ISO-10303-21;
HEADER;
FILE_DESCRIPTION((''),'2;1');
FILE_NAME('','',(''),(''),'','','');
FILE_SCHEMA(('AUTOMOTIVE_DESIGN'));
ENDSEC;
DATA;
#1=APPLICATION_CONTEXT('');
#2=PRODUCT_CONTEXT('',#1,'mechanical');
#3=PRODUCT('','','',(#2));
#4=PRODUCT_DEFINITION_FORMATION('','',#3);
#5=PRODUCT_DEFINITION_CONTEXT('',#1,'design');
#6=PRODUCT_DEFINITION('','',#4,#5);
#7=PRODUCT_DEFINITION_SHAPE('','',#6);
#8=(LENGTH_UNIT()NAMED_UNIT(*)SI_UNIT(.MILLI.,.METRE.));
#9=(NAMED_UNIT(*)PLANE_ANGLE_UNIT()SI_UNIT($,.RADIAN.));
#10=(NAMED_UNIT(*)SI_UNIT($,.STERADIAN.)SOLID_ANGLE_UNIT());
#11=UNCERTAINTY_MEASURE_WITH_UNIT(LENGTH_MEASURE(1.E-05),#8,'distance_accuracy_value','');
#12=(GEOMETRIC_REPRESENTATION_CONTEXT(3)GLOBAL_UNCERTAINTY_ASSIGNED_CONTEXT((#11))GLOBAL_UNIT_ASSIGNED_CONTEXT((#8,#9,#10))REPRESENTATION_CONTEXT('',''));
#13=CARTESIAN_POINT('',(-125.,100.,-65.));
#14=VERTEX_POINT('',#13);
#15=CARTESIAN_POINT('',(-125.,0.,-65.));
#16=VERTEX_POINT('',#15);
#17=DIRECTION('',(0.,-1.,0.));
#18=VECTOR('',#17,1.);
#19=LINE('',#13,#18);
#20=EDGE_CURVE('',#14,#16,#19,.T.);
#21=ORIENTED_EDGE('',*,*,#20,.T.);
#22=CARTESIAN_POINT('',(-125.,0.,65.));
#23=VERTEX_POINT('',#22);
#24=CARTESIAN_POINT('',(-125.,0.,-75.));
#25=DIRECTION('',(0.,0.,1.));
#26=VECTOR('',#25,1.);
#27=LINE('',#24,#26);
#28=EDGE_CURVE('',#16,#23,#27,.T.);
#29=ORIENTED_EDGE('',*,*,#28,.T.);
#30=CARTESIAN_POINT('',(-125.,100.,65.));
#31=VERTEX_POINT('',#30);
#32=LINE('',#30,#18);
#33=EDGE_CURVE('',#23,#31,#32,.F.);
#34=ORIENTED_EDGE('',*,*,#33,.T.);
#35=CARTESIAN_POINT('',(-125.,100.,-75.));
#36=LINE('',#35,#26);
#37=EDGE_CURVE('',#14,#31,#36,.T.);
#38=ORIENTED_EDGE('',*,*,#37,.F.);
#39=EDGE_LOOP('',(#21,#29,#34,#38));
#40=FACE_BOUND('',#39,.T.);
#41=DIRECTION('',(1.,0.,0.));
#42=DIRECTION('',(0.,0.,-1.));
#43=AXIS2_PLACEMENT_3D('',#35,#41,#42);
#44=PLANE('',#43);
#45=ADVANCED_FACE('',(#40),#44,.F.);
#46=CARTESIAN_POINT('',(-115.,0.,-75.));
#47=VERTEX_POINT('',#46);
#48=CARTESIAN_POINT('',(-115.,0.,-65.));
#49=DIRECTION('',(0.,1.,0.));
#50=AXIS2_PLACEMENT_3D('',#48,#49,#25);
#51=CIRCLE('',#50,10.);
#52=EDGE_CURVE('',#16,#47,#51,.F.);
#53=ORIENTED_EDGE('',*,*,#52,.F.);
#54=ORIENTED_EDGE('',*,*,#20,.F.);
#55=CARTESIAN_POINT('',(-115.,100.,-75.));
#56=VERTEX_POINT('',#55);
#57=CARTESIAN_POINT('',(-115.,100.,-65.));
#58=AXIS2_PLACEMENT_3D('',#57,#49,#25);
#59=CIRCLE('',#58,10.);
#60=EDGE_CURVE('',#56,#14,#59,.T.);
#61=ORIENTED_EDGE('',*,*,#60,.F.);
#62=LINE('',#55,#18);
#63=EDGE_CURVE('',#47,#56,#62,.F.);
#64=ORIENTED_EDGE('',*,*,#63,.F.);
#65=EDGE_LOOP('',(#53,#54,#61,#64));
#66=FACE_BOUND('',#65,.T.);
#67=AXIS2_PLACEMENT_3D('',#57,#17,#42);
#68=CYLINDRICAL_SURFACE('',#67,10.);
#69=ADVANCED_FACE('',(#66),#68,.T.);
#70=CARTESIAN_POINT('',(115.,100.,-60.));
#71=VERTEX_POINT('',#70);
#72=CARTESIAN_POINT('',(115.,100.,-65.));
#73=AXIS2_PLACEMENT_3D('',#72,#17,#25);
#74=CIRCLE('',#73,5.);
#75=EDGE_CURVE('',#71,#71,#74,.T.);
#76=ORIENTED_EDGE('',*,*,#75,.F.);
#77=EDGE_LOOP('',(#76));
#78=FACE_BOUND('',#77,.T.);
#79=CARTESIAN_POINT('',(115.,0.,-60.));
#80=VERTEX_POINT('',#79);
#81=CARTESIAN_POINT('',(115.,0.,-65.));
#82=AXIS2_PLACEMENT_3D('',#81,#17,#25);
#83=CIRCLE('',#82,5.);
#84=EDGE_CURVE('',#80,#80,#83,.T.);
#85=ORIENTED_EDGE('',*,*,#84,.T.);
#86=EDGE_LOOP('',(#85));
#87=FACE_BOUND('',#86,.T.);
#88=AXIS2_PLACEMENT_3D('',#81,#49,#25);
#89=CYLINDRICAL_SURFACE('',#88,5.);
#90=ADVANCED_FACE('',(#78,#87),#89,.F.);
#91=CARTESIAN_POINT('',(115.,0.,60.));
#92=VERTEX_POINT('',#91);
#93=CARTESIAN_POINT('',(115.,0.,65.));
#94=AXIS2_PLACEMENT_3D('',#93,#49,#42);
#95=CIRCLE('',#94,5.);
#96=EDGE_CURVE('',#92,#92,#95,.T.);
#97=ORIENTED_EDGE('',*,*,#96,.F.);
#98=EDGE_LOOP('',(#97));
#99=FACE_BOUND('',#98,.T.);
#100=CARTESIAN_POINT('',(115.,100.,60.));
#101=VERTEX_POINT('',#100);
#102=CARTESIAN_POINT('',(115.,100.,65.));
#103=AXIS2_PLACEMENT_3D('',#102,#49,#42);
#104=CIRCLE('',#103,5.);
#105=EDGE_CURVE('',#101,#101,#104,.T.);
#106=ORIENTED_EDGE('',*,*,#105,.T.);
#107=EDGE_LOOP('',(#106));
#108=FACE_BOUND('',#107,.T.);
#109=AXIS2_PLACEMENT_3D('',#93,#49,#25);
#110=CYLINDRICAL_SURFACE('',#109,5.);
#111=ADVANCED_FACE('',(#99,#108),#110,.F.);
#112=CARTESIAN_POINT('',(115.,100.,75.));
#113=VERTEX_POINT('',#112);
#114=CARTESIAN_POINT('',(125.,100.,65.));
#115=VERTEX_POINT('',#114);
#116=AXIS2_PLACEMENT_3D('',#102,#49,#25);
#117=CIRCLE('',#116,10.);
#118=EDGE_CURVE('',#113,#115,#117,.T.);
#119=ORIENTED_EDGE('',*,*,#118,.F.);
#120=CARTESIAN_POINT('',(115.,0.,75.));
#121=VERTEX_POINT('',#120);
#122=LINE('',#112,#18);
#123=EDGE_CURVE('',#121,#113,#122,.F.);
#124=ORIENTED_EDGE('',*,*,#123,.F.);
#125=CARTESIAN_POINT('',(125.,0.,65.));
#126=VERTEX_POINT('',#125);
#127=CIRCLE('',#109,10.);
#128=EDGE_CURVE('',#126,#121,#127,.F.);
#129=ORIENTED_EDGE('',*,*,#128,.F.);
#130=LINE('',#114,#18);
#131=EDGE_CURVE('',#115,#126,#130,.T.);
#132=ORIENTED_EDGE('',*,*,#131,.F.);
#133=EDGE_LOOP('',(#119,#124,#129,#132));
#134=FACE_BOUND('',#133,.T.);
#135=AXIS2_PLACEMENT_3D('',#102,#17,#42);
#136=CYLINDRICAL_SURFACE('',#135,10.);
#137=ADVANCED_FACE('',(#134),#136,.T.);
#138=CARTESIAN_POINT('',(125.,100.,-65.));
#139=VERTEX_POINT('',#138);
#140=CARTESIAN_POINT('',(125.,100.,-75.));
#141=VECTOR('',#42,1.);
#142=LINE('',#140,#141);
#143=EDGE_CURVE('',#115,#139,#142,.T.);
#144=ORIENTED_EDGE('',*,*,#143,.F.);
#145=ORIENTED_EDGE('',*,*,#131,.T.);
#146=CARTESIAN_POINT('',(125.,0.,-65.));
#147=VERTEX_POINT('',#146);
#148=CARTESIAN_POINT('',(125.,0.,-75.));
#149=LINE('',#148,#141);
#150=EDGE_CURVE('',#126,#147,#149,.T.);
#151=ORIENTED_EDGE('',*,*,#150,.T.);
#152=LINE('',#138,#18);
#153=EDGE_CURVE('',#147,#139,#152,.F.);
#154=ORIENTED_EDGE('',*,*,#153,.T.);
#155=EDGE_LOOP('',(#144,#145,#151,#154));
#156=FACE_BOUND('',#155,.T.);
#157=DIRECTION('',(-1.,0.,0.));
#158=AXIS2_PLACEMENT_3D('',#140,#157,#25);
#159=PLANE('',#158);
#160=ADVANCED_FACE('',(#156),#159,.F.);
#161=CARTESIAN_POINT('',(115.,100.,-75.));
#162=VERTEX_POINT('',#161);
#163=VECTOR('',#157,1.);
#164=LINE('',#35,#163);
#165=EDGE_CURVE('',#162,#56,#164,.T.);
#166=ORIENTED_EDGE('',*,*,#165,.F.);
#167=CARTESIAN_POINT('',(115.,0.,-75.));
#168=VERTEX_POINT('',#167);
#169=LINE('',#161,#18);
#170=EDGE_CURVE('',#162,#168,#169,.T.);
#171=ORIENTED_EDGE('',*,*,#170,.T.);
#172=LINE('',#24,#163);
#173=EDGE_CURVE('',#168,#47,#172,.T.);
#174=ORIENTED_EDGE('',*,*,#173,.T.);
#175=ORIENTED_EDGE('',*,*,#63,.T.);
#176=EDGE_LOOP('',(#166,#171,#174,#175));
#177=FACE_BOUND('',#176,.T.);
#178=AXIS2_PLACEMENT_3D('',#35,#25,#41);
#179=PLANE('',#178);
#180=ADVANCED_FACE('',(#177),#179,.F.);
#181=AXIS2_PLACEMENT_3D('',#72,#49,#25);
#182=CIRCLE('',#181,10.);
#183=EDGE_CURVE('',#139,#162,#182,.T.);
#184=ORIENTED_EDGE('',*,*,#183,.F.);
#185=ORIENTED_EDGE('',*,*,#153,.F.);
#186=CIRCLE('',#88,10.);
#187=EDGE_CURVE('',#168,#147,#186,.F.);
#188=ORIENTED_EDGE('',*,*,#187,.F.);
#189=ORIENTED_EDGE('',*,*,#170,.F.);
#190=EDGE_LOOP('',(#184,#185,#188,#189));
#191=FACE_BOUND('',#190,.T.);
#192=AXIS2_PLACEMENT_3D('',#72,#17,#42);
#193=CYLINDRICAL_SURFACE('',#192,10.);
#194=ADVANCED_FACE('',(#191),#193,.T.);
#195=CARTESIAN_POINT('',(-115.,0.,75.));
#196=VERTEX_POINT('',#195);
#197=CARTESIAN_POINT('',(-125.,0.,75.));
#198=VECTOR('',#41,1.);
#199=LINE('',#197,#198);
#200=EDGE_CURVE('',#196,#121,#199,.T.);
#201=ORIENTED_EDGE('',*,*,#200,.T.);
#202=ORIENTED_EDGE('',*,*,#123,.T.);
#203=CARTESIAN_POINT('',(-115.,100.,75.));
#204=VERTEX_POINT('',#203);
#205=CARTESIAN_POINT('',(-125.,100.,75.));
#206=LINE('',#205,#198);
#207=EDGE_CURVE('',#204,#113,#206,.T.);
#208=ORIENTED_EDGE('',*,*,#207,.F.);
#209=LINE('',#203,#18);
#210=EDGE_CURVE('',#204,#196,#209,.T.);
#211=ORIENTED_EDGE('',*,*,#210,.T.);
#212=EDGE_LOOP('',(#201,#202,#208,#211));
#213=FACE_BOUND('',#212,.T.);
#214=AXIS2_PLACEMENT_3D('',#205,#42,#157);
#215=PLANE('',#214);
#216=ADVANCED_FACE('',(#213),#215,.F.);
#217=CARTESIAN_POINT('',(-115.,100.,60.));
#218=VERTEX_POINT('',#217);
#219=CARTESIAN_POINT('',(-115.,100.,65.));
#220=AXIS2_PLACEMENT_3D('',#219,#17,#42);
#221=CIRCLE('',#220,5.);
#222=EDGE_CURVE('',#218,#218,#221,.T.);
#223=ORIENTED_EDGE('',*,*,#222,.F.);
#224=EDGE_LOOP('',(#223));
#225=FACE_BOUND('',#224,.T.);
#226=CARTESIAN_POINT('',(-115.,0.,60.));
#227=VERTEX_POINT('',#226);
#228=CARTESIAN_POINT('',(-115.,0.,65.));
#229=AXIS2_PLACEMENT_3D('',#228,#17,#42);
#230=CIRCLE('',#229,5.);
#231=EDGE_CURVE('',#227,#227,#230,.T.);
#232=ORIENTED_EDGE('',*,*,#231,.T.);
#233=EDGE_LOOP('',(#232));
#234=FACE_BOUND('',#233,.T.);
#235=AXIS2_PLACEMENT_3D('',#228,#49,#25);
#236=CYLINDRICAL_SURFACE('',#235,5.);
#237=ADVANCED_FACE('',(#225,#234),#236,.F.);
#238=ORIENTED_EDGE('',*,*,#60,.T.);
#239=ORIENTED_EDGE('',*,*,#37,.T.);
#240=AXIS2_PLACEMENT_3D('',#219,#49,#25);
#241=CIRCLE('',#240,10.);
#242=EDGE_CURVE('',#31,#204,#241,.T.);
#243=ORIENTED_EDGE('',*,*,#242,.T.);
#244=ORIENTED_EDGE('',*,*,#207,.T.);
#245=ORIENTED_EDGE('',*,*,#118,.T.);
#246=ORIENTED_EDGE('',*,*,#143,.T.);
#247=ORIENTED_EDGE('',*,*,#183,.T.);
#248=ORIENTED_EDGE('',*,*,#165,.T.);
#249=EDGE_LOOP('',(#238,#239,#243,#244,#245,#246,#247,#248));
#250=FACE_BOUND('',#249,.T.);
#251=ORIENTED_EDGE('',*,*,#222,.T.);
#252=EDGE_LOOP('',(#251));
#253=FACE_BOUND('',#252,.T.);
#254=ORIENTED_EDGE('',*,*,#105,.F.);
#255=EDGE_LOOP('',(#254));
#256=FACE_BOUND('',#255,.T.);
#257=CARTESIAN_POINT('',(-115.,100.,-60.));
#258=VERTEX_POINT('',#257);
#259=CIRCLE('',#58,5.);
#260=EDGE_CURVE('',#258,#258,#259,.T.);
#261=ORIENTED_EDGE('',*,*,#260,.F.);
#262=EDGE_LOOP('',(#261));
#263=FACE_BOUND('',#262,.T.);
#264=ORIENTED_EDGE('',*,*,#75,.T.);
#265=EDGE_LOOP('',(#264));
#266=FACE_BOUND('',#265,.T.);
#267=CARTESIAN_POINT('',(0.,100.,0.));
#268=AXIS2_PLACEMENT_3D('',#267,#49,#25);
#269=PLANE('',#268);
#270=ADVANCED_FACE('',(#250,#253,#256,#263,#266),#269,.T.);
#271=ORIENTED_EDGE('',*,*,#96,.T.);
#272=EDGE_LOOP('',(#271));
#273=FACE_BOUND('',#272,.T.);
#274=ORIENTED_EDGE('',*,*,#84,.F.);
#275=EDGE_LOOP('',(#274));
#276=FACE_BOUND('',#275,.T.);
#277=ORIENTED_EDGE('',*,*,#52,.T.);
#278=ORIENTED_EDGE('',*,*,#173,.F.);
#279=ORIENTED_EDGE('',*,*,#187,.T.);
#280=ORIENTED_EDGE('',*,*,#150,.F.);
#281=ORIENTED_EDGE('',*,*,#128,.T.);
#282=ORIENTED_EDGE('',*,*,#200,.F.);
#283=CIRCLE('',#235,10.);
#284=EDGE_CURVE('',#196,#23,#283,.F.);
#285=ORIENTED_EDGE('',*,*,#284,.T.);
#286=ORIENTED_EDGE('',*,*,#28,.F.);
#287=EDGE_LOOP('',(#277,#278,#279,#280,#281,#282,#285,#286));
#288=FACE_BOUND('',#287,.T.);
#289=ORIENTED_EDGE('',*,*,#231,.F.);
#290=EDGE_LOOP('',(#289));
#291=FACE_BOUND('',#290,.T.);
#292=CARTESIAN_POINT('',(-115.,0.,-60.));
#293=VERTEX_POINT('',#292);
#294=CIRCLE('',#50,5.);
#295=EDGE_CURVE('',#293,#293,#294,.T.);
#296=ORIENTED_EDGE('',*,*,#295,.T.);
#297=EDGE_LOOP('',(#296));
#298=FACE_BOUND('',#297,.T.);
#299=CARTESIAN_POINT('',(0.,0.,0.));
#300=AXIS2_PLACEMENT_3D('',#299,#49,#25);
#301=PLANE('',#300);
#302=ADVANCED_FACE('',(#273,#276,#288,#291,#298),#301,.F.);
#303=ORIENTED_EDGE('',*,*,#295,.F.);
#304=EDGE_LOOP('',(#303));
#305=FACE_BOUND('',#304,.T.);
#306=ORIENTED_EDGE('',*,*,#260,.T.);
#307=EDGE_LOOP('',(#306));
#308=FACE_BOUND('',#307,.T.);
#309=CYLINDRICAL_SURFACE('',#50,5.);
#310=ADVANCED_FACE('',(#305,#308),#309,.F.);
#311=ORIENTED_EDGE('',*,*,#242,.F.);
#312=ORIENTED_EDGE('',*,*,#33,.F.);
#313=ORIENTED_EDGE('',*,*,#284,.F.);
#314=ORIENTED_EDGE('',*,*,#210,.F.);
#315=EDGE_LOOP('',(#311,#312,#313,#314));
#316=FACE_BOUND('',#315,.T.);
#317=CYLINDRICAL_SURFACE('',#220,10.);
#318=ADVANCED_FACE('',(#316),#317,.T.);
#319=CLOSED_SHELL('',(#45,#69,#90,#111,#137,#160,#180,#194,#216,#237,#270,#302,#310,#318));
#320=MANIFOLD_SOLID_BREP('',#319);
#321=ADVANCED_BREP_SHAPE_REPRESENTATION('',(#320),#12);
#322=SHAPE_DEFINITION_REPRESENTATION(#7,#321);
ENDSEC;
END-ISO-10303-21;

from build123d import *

# Parameters (mm, degrees)
CROQUIS1_W                                 = 250
CROQUIS1_H                                 = 150
SALIENTE_EXTRUIR1_DEPTH                    = 100
REDONDEO1_R                                = 10
CROQUIS2_R                                 = 5
CORTAR_EXTRUIR1_DEPTH                      = 177.776695297
SIMETR_A1_AT_THE_SECOND_PLANE_COPY_1_SKE_R = 5
SIMETR_A1_AT_THE_SECOND_PLANE_COPY_1_DEPTH = 177.776695297


with BuildPart() as part:
    # Croquis1 → Saliente-Extruir1 (new body)
    with BuildSketch(Plane(origin=(0, 0, 0), x_dir=(1, 0, 0), z_dir=(0, 1, 0))):
        Rectangle(CROQUIS1_W, CROQUIS1_H)
    extrude(amount=SALIENTE_EXTRUIR1_DEPTH)

    # Redondeo1
    redondeo1_edges = [part.edges().sort_by_distance(p)[0] for p in [
        (-125, 50, -75),
        (125, 50, -75),
        (125, 50, 75),
        (-125, 50, 75),
    ]]
    fillet(redondeo1_edges, radius=REDONDEO1_R)

    # Croquis2 → Cortar-Extruir1 (cut, through all)
    with BuildSketch(Plane(origin=(0, 100, 0), x_dir=(1, 0, 0), z_dir=(0, 1, 0))):
        with Locations(Location((-115, 65, 0), (0, 0, 270))):
            Circle(CROQUIS2_R)
    cortar_extruir1 = extrude(amount=-CORTAR_EXTRUIR1_DEPTH, mode=Mode.SUBTRACT)

    # Simetría1: Cortar-Extruir1 across plane
    add(cortar_extruir1.mirror(Plane.XY), mode=Mode.SUBTRACT)

    # Simetría1 at the second plane: Cortar-Extruir1 across plane
    add(cortar_extruir1.mirror(Plane(origin=(0, 0, 0), x_dir=(0, 0, 1), z_dir=(1, 0, 0))), mode=Mode.SUBTRACT)

    # Simetría1 at the second plane copy 1 ske → Simetría1 at the second plane copy 1 (cut, through all)
    with BuildSketch(Plane(origin=(0, 100, 0), x_dir=(-1, 0, 0), z_dir=(0, 1, 0))):
        with Locations(Location((-115, 65, 0), (0, 0, 270))):
            Circle(SIMETR_A1_AT_THE_SECOND_PLANE_COPY_1_SKE_R)
    extrude(amount=-SIMETR_A1_AT_THE_SECOND_PLANE_COPY_1_DEPTH, mode=Mode.SUBTRACT)


solid = part.part
